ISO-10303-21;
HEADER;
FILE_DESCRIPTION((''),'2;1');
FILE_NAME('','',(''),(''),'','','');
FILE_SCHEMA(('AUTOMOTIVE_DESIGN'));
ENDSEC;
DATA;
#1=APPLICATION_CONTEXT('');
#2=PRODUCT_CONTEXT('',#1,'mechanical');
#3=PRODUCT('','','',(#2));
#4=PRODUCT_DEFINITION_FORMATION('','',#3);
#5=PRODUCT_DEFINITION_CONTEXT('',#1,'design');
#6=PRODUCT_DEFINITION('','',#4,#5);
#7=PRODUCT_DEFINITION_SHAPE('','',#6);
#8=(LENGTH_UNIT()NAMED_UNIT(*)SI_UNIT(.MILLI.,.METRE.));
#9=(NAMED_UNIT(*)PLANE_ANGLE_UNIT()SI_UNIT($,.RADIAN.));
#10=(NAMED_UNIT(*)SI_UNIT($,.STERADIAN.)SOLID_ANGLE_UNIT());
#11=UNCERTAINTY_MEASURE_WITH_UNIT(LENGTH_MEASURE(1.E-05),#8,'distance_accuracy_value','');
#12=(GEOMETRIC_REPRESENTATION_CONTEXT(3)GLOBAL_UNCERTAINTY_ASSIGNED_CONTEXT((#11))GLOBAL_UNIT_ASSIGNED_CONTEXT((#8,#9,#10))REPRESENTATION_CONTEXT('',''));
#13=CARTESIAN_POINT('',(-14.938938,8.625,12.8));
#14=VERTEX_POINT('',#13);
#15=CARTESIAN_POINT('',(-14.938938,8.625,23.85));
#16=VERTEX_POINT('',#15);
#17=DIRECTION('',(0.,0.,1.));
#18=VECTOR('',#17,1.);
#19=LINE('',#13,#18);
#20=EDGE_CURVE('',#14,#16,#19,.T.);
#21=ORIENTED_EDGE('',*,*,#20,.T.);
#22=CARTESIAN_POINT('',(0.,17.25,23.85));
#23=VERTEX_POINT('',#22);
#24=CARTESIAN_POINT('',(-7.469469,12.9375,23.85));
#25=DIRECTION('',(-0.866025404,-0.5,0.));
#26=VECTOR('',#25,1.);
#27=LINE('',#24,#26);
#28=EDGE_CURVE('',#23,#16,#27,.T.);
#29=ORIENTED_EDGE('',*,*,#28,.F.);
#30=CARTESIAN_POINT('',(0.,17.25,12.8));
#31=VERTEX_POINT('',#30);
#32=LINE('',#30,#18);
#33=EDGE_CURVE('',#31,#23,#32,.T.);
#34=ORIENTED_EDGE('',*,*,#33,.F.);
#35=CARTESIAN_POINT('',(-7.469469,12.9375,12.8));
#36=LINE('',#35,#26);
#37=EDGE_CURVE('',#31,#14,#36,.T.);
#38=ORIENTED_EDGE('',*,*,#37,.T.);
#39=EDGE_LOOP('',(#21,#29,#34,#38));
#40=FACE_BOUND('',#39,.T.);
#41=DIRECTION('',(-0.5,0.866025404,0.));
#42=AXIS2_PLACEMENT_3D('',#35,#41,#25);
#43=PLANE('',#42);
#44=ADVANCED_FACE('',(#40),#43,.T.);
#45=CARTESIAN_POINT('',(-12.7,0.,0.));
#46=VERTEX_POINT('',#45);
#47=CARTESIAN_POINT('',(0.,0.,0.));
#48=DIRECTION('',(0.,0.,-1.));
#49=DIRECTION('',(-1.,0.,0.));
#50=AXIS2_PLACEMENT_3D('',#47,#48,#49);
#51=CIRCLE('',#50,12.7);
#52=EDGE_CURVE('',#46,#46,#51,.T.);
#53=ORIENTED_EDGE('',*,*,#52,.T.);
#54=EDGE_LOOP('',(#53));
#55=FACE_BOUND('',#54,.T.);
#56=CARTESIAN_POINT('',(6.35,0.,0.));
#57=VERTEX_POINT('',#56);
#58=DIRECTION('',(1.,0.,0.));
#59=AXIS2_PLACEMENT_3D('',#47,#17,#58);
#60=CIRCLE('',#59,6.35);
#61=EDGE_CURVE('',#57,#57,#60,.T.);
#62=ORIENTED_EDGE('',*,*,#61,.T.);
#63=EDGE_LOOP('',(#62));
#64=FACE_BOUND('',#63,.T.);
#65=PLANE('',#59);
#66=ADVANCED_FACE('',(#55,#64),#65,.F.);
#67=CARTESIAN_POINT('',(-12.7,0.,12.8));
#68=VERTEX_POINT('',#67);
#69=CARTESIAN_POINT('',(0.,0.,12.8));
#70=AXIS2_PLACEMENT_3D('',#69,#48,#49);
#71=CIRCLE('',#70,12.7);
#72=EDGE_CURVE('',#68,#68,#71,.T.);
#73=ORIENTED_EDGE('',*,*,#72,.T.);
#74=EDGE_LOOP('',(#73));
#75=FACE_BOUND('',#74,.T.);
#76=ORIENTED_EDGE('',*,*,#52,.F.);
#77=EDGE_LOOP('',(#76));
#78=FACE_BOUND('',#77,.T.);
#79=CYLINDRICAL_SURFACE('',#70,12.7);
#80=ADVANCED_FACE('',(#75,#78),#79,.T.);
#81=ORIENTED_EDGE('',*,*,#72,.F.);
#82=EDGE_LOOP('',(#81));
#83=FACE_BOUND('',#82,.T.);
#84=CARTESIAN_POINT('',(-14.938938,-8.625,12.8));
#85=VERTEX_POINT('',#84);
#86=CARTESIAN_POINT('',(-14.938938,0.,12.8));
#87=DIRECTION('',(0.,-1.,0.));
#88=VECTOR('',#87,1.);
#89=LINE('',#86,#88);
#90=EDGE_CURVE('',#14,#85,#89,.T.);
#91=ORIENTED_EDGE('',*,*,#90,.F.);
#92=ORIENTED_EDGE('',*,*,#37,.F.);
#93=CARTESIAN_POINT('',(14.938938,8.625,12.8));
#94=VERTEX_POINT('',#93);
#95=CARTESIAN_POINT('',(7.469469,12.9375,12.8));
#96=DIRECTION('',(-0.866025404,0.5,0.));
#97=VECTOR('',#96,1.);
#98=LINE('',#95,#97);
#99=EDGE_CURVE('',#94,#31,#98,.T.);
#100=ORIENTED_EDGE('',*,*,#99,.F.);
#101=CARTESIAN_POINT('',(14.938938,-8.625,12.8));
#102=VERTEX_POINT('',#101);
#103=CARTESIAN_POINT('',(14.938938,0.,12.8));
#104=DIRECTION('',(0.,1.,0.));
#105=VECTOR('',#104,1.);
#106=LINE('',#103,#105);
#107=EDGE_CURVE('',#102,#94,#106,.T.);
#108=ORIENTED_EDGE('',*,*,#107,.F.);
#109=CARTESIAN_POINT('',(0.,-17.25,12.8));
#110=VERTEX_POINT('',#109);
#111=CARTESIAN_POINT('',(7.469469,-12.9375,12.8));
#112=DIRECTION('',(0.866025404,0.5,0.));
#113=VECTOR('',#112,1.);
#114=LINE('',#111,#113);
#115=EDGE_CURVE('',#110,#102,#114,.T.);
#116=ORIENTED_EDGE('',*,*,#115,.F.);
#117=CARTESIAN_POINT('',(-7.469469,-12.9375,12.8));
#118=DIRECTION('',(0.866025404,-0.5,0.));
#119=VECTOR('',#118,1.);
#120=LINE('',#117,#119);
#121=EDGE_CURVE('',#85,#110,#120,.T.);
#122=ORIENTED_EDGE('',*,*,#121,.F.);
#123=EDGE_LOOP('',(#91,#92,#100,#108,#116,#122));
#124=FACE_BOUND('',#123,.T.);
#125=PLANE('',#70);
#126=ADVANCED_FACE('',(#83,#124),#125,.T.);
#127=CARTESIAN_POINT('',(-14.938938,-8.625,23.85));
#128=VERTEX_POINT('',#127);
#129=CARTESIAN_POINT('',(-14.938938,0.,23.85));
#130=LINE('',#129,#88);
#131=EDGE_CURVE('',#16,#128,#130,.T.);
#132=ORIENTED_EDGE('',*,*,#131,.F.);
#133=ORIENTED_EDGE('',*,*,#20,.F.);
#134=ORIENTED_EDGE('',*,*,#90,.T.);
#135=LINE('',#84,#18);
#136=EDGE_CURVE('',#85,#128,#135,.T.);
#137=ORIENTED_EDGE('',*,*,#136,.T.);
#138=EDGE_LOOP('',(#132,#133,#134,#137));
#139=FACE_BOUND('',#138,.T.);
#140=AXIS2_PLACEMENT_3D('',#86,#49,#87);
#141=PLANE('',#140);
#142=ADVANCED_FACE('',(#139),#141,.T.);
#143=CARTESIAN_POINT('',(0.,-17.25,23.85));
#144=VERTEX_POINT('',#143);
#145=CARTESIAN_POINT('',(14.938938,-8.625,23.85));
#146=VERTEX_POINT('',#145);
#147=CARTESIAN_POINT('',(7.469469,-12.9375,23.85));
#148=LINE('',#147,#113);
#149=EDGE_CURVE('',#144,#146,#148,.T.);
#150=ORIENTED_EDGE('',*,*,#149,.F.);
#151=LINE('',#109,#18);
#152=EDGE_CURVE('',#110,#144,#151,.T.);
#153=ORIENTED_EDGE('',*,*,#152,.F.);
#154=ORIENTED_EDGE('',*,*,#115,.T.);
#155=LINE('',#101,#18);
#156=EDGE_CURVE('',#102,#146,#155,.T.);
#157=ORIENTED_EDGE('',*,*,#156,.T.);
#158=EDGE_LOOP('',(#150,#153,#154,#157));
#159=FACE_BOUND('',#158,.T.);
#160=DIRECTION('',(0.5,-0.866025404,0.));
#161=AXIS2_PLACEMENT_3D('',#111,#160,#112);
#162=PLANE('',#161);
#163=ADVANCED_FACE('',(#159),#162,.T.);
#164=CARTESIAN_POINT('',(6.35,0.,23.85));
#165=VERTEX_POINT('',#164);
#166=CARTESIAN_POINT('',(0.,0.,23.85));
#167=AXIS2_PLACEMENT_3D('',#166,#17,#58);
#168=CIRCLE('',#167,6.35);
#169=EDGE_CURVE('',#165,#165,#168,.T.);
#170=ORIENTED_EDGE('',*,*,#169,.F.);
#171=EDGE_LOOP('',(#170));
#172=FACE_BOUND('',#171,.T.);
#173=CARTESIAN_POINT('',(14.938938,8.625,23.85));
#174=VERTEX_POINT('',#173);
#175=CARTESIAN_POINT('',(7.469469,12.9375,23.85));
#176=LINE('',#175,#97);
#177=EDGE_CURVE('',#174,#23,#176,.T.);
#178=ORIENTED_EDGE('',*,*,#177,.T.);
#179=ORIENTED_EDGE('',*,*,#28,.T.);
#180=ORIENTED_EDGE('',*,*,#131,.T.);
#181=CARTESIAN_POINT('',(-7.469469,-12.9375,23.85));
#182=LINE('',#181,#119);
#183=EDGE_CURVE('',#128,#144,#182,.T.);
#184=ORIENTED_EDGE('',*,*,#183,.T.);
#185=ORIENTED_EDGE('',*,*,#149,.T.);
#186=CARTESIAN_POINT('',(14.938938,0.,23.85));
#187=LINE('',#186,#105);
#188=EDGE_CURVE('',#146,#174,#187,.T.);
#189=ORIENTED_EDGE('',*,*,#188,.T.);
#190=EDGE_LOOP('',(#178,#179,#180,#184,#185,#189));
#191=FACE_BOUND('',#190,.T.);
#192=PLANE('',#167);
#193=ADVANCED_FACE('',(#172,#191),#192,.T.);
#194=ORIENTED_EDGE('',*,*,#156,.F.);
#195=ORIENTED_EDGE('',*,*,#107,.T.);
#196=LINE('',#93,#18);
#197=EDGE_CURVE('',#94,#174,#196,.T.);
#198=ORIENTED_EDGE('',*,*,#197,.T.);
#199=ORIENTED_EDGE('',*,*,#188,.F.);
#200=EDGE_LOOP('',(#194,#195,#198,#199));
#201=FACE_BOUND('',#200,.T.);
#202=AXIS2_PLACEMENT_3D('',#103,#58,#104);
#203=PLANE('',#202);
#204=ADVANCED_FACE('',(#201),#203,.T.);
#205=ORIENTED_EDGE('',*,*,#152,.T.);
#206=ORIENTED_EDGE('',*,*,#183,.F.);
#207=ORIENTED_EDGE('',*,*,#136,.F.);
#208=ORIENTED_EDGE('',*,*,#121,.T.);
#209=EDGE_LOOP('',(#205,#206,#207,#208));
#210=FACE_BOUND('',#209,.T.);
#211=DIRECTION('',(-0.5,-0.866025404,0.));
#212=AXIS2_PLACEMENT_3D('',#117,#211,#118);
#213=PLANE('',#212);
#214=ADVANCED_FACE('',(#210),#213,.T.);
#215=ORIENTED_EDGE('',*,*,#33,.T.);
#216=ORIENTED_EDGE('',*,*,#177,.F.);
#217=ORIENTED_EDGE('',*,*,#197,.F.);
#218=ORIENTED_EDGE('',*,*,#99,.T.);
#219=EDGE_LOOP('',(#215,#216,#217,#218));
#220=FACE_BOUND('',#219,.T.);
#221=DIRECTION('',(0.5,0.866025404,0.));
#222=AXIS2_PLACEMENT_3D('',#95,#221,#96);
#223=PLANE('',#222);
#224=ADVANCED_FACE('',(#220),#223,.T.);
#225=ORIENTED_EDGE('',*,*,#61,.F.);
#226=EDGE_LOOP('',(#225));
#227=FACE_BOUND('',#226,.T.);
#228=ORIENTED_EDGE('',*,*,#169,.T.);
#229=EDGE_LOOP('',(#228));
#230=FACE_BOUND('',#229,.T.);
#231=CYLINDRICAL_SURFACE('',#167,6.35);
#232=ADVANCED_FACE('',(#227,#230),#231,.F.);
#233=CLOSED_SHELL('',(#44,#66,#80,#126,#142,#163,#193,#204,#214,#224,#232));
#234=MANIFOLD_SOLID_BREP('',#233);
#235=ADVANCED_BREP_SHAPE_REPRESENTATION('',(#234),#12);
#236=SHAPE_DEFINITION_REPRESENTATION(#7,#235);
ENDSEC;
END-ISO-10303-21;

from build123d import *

# Parameters (mm, degrees)
SCHIZZO1_R                   = 17.25
ESTRUSIONE_ESTRUSIONE1_DEPTH = 23.85
TAGLIO_ESTRUSIONE1_START     = -11.05
TAGLIO_ESTRUSIONE1_DEPTH     = 11.05
FORO_25_5_12_7_1_D           = 12.7
SCHIZZO5_R                   = 17.25
SCHIZZO5_R_2                 = 12.7
TAGLIO_ESTRUSIONE2_DEPTH     = 12.8


with BuildPart() as part:
    # Schizzo1 → Estrusione-Estrusione1 (new body)
    with BuildSketch(Plane.XY):
        Circle(SCHIZZO1_R)
    extrude(amount=ESTRUSIONE_ESTRUSIONE1_DEPTH)

    # Schizzo2 → Taglio-Estrusione1 (cut)
    with BuildSketch(Plane.XY.offset(23.85).offset(TAGLIO_ESTRUSIONE1_START)):
        with BuildLine():
            Line((-14.938938215, 8.625), (0, 17.25))
            ThreePointArc((0, 17.25), (-8.625, 14.938938215), (-14.938938215, 8.625))
        make_face()
        with BuildLine():
            Line((-14.938938215, -8.625), (-14.938938215, 8.625))
            ThreePointArc((-14.938938215, 8.625), (-17.25, 0), (-14.938938215, -8.625))
        make_face()
        with BuildLine():
            Line((0, -17.25), (-14.938938215, -8.625))
            ThreePointArc((-14.938938215, -8.625), (-8.625, -14.938938215), (0, -17.25))
        make_face()
        with BuildLine():
            ThreePointArc((0, -17.25), (8.625, -14.938938215), (14.938938215, -8.625))
            Line((14.938938215, -8.625), (0, -17.25))
        make_face()
        with BuildLine():
            ThreePointArc((17.25, 0), (16.662220503, 4.464628528), (14.938938215, 8.625))
            Line((14.938938215, 8.625), (14.938938215, -8.625))
            ThreePointArc((14.938938215, -8.625), (16.662220503, -4.464628528), (17.25, 0))
        make_face()
        with BuildLine():
            ThreePointArc((14.938938215, 8.625), (8.625, 14.938938215), (0, 17.25))
            Line((0, 17.25), (14.938938215, 8.625))
        make_face()
    extrude(amount=TAGLIO_ESTRUSIONE1_DEPTH, mode=Mode.SUBTRACT)

    # Foro Ø25.5 (12.7)-1 (through all)
    with Locations(Plane.XY.offset(23.85)):
        with Locations((0, 0)):
            Hole(FORO_25_5_12_7_1_D / 2)

    # Schizzo5 → Taglio-Estrusione2 (cut)
    with BuildSketch(Plane(origin=(0, 0, 0), x_dir=(-1, 0, 0), z_dir=(0, 0, -1))):
        Circle(SCHIZZO5_R)
        Circle(SCHIZZO5_R_2, mode=Mode.SUBTRACT)
    extrude(amount=-TAGLIO_ESTRUSIONE2_DEPTH, mode=Mode.SUBTRACT)


solid = part.part
